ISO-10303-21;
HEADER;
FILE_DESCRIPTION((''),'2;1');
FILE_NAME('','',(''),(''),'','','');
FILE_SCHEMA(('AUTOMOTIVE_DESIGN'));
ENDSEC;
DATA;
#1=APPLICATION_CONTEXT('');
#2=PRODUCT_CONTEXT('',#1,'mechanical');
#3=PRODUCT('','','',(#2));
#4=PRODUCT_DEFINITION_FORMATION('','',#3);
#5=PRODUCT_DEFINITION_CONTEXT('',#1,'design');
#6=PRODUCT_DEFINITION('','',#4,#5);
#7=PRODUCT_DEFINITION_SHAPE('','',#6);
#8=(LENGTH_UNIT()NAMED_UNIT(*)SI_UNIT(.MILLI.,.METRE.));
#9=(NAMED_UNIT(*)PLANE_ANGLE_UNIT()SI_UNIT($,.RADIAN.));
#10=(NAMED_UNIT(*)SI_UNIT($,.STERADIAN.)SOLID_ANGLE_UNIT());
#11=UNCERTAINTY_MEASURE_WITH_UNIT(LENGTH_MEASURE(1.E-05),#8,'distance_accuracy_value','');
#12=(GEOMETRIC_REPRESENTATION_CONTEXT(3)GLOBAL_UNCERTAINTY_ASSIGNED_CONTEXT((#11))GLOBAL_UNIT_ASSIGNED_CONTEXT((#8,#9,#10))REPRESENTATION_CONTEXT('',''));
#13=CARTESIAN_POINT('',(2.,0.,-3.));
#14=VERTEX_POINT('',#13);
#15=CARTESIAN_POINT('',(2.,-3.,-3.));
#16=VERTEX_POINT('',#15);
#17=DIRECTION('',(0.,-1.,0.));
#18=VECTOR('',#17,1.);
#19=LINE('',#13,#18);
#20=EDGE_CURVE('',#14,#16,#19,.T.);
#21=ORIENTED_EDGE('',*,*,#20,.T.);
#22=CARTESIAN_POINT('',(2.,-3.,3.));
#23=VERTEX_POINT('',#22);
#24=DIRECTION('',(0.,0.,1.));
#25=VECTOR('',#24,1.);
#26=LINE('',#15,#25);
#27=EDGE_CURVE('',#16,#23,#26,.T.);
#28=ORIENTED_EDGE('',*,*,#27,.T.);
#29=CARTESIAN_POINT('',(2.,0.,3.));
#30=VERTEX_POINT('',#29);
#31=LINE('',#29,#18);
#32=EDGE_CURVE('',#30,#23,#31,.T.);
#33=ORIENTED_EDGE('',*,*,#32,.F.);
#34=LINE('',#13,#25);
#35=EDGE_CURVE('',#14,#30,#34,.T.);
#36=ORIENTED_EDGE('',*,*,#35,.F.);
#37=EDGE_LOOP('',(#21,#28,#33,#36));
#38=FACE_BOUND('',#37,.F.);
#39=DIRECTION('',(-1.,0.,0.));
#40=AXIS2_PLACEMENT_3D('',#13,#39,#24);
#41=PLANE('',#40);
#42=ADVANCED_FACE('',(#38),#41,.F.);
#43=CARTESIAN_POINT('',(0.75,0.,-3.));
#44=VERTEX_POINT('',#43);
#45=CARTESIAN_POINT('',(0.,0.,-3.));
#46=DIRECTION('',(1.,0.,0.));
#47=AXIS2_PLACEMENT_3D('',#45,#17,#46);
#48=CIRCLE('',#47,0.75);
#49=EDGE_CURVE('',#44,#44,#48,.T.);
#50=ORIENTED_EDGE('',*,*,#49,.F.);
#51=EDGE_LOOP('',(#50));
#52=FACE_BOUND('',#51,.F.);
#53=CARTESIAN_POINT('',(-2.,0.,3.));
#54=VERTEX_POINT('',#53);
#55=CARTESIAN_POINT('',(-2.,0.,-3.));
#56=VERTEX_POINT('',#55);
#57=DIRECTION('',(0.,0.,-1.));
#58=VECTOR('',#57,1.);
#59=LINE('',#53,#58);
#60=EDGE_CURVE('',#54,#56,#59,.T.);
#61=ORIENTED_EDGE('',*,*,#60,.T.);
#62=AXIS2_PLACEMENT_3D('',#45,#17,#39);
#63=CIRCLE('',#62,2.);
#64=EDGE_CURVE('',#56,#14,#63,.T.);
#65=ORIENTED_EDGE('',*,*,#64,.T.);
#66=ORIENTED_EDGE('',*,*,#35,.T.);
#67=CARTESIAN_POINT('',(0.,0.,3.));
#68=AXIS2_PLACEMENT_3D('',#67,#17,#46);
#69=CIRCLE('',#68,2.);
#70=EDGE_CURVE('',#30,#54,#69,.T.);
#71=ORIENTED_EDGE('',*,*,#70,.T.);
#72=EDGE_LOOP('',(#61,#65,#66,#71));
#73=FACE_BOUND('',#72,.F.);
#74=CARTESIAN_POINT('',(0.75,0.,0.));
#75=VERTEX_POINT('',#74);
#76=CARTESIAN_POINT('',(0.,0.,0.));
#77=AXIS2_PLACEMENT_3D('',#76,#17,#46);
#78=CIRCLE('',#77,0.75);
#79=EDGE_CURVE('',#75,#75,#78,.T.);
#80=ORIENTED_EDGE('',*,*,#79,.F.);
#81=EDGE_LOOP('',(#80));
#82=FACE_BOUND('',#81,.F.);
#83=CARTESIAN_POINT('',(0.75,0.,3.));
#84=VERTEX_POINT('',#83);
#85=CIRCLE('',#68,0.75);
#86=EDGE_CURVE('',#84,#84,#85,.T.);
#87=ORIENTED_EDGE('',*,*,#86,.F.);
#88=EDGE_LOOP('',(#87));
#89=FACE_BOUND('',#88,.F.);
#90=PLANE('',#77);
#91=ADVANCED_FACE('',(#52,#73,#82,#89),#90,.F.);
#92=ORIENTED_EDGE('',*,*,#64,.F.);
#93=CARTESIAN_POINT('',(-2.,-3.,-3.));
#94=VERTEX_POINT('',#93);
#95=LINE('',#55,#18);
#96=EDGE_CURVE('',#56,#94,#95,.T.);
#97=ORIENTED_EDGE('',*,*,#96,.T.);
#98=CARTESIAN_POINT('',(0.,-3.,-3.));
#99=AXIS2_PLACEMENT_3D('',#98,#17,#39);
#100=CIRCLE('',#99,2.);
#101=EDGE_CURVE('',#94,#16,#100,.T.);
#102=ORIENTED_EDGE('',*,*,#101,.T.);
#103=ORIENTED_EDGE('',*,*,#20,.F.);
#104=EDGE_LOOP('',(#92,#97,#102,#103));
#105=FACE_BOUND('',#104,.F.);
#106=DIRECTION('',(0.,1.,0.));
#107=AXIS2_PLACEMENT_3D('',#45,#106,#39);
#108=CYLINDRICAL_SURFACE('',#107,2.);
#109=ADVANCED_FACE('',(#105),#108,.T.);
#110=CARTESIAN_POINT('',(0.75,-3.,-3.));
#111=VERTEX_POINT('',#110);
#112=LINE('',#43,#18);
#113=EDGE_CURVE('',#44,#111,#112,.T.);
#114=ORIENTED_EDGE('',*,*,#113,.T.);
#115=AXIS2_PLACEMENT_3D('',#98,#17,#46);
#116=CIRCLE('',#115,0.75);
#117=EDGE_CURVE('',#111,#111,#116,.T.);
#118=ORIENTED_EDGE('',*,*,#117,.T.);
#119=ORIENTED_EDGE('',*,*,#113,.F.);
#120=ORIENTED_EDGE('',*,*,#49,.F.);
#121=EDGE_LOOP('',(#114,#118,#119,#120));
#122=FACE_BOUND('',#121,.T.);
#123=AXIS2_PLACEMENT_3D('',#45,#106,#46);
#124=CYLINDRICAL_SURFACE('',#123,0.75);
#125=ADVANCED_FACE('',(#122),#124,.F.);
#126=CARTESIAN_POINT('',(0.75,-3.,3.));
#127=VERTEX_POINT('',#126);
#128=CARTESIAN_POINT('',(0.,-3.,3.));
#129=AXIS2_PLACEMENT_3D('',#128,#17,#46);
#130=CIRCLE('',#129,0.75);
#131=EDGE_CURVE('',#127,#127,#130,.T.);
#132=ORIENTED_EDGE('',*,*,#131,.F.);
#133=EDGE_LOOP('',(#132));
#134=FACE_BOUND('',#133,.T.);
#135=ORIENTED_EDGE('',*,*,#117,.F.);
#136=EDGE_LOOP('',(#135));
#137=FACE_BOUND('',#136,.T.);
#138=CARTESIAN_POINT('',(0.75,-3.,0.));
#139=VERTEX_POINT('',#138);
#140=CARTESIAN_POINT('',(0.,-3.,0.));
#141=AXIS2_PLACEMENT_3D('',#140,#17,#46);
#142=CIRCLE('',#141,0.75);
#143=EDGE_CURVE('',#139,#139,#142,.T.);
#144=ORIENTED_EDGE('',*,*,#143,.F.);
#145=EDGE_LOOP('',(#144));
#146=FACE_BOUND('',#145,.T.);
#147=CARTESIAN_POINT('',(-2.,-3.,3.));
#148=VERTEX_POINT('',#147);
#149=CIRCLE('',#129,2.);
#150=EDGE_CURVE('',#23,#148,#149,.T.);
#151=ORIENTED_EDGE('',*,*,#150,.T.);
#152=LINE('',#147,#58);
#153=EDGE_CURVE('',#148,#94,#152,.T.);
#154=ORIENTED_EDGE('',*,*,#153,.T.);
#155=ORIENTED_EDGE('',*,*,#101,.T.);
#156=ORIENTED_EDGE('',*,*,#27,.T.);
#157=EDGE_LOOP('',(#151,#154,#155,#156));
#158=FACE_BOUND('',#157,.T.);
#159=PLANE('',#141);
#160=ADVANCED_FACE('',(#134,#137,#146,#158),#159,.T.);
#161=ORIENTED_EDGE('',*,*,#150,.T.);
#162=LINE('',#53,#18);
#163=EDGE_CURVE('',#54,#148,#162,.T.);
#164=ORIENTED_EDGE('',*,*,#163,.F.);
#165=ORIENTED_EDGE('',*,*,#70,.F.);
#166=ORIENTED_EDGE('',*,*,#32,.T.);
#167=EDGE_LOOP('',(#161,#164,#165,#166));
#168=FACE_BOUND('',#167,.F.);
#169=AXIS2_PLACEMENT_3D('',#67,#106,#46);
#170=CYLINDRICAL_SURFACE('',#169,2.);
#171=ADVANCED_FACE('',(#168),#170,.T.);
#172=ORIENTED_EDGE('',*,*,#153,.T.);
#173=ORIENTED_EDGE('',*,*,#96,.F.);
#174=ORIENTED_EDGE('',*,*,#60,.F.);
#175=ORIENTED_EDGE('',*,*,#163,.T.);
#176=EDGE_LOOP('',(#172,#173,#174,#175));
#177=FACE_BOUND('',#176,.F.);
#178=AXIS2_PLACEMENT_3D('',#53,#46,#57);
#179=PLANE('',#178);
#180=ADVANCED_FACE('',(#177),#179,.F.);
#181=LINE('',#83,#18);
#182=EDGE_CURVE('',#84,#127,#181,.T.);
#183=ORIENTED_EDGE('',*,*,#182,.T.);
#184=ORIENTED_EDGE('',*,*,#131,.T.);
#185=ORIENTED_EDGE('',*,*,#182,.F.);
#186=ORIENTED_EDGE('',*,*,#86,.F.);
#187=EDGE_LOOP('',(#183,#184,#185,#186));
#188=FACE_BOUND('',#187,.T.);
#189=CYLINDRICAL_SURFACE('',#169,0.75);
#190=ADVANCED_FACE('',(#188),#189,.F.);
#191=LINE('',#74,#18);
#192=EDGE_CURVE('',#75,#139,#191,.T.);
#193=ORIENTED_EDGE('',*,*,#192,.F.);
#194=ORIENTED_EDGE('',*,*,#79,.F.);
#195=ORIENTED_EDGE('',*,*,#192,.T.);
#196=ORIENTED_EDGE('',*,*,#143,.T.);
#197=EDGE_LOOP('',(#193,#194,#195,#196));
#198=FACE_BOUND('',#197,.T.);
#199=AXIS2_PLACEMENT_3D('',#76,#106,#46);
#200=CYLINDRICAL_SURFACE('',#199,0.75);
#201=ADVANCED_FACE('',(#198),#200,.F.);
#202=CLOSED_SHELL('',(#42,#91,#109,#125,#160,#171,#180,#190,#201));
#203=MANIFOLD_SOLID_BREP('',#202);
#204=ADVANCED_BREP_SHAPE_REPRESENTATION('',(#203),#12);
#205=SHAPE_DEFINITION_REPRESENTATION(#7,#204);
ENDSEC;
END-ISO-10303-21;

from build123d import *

# Parameters (mm, degrees)
F0_R     = 0.75
F1_DEPTH = 3


with BuildPart() as f1:
    # F0 (on Front) → F1 (new body)
    with BuildSketch(Plane.XZ):
        with BuildLine():
            ThreePointArc((2, 3), (0, 5), (-2, 3))
            Line((-2, 3), (-2, -3))
            ThreePointArc((-2, -3), (0, -5), (2, -3))
            Line((2, -3), (2, 3))
        make_face()
        with Locations((0, -3)):
            Circle(F0_R, mode=Mode.SUBTRACT)
        Circle(F0_R, mode=Mode.SUBTRACT)
        with Locations((0, 3)):
            Circle(F0_R, mode=Mode.SUBTRACT)
    extrude(amount=F1_DEPTH)


solid = f1.part
